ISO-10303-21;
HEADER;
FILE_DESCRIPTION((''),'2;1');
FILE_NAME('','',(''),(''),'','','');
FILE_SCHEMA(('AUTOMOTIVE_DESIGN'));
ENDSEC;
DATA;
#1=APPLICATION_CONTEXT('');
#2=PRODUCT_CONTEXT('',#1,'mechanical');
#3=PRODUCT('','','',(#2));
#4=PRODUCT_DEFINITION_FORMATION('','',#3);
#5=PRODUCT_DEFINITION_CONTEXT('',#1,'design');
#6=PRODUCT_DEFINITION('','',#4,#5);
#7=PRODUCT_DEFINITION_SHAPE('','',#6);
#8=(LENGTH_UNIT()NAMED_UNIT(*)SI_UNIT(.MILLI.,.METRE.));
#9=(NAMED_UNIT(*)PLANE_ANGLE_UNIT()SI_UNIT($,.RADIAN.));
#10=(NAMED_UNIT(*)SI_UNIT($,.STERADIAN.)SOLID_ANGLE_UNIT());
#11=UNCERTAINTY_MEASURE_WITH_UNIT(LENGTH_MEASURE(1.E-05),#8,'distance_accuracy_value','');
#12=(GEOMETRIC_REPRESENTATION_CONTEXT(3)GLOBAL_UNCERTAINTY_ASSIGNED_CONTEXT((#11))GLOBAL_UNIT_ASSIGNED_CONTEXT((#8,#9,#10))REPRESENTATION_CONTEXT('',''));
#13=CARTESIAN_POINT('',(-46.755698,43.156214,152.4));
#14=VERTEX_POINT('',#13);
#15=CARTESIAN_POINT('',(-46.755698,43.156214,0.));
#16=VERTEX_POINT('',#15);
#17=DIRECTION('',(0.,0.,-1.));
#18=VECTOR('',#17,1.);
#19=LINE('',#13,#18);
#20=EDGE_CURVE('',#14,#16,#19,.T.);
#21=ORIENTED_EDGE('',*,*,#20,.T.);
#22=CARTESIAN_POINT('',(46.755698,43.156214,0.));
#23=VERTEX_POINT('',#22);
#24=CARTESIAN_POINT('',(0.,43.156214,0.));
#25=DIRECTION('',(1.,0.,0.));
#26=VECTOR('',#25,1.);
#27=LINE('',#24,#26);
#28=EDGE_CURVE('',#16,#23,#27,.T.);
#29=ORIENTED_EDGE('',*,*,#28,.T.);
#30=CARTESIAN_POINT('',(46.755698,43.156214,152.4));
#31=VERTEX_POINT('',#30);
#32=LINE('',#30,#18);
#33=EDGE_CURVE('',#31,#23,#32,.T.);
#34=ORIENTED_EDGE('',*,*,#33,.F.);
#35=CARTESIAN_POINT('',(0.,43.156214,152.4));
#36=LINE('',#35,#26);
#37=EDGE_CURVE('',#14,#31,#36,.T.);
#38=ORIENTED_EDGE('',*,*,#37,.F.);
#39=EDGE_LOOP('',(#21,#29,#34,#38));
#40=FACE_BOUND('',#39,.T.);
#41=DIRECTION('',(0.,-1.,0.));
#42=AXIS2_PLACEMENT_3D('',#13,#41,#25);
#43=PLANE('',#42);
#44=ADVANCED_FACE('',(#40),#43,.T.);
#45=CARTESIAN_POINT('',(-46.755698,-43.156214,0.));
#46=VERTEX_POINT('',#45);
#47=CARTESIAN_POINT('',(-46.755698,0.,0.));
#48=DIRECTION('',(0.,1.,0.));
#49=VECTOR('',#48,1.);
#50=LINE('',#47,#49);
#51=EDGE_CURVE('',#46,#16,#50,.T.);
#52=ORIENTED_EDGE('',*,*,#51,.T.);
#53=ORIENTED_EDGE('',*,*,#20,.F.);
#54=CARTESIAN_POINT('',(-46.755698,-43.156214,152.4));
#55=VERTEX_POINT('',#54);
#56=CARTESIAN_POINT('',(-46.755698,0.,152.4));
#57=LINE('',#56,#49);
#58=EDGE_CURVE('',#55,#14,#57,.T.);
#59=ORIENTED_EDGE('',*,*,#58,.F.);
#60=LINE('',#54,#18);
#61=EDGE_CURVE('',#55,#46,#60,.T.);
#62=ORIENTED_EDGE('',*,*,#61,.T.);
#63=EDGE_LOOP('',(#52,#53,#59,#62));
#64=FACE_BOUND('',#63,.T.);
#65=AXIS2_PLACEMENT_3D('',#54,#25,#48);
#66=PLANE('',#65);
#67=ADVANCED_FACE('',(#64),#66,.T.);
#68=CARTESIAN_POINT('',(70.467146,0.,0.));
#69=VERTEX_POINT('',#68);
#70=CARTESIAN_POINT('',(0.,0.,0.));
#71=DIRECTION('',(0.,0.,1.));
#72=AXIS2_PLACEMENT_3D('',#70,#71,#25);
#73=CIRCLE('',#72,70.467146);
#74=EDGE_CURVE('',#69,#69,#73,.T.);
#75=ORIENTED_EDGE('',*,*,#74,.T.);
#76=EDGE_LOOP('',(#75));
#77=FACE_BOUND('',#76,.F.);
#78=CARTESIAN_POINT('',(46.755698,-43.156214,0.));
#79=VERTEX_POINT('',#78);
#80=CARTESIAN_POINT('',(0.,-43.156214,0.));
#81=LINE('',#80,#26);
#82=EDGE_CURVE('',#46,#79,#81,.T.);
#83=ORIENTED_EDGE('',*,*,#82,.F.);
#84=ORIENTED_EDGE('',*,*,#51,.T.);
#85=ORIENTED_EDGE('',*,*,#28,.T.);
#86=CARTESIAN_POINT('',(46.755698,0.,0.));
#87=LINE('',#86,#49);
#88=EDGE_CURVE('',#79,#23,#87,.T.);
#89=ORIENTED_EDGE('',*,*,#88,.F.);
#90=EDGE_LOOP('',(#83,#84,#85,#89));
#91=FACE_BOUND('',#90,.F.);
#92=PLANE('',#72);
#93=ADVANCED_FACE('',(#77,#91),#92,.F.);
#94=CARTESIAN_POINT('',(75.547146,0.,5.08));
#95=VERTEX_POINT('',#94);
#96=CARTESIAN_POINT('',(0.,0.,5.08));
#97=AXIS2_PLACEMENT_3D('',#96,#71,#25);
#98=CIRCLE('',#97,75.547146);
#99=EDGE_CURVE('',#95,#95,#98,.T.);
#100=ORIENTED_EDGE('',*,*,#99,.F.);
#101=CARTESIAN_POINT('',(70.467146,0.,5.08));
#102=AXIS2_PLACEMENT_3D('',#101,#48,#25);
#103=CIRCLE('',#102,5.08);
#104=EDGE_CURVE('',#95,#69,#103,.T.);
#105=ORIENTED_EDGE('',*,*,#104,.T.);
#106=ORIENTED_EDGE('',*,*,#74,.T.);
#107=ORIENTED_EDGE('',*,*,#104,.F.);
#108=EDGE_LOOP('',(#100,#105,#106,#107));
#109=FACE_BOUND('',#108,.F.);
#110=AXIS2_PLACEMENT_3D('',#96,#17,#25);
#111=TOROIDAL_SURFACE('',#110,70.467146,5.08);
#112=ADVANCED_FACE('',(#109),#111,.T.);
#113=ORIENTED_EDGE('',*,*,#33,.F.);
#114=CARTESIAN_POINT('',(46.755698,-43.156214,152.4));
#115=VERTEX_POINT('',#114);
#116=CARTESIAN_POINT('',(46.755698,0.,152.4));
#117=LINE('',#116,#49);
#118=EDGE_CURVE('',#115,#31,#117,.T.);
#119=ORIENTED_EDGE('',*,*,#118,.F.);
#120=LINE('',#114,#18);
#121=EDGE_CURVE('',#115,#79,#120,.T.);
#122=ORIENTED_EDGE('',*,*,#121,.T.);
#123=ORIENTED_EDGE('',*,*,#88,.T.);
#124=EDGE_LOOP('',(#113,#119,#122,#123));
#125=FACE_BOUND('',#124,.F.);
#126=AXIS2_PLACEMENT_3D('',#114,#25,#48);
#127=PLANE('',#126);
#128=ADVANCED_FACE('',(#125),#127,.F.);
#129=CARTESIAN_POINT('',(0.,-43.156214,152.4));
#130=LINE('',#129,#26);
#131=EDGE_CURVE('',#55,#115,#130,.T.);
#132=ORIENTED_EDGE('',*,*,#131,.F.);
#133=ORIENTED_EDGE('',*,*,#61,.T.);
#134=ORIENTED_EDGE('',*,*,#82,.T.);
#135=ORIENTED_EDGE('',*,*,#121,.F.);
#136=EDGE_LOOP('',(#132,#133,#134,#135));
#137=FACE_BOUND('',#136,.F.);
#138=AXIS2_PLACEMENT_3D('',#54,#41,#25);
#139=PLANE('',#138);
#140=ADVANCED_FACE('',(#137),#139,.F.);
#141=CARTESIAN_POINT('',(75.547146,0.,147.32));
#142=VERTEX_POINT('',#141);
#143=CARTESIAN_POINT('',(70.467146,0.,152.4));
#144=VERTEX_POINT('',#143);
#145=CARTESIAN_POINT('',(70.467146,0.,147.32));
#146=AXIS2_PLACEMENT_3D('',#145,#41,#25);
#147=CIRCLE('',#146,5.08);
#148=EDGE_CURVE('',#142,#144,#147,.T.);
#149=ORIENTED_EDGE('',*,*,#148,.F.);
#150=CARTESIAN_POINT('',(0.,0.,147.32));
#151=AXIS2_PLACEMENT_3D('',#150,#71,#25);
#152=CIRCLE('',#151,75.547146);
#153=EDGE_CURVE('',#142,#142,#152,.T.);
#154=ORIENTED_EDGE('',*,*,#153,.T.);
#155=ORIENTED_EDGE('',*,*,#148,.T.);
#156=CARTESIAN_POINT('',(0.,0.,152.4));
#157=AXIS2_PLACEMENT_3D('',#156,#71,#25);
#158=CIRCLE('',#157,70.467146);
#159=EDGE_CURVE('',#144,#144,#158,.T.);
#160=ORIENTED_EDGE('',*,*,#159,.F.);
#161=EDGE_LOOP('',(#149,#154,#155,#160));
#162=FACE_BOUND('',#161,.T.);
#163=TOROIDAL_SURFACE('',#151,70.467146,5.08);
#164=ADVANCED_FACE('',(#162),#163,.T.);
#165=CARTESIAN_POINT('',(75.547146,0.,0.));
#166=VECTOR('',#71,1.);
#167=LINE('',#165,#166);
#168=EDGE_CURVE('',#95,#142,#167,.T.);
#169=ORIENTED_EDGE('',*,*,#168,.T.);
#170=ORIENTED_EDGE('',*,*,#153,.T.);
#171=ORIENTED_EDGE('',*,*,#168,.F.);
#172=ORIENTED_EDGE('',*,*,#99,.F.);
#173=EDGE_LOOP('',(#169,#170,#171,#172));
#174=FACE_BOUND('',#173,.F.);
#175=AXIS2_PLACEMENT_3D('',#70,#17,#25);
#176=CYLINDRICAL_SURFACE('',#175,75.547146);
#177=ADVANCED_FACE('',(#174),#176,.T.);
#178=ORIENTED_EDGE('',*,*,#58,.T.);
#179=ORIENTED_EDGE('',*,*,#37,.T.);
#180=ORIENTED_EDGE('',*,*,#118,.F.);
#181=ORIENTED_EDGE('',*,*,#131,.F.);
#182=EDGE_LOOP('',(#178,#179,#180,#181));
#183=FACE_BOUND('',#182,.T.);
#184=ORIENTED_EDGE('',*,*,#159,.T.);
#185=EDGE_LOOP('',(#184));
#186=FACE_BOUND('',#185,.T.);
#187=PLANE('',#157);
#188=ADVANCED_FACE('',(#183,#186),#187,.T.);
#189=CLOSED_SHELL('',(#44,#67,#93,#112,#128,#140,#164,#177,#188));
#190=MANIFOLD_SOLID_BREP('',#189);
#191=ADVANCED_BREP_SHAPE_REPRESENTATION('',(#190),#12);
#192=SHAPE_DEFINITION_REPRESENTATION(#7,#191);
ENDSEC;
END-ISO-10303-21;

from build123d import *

# Parameters (mm, degrees)
F0_R     = 75.547146
F1_DEPTH = 152.4
F2_R     = 5.08
F3_W     = 93.511396
F3_H     = 86.312428
F4_DEPTH = 152.4
F5_R     = 5.08


with BuildPart() as f1:
    # F0 (on Top) → F1 (new body)
    with BuildSketch(Plane.XY):
        Circle(F0_R)
    extrude(amount=F1_DEPTH)

    # F2
    f2_edges = [f1.edges().sort_by_distance(p)[0] for p in [
        (-75.547146, 0, 152.4),
    ]]
    fillet(f2_edges, radius=F2_R)

    # F3 (on face) → F4 (cut)
    with BuildSketch(Plane.XY.offset(152.4)):
        Rectangle(F3_W, F3_H)
    extrude(amount=-F4_DEPTH, mode=Mode.SUBTRACT)

    # F5
    f5_edges = [f1.edges().sort_by_distance(p)[0] for p in [
        (-75.547146, 0, 0),
    ]]
    fillet(f5_edges, radius=F5_R)


solid = f1.part
